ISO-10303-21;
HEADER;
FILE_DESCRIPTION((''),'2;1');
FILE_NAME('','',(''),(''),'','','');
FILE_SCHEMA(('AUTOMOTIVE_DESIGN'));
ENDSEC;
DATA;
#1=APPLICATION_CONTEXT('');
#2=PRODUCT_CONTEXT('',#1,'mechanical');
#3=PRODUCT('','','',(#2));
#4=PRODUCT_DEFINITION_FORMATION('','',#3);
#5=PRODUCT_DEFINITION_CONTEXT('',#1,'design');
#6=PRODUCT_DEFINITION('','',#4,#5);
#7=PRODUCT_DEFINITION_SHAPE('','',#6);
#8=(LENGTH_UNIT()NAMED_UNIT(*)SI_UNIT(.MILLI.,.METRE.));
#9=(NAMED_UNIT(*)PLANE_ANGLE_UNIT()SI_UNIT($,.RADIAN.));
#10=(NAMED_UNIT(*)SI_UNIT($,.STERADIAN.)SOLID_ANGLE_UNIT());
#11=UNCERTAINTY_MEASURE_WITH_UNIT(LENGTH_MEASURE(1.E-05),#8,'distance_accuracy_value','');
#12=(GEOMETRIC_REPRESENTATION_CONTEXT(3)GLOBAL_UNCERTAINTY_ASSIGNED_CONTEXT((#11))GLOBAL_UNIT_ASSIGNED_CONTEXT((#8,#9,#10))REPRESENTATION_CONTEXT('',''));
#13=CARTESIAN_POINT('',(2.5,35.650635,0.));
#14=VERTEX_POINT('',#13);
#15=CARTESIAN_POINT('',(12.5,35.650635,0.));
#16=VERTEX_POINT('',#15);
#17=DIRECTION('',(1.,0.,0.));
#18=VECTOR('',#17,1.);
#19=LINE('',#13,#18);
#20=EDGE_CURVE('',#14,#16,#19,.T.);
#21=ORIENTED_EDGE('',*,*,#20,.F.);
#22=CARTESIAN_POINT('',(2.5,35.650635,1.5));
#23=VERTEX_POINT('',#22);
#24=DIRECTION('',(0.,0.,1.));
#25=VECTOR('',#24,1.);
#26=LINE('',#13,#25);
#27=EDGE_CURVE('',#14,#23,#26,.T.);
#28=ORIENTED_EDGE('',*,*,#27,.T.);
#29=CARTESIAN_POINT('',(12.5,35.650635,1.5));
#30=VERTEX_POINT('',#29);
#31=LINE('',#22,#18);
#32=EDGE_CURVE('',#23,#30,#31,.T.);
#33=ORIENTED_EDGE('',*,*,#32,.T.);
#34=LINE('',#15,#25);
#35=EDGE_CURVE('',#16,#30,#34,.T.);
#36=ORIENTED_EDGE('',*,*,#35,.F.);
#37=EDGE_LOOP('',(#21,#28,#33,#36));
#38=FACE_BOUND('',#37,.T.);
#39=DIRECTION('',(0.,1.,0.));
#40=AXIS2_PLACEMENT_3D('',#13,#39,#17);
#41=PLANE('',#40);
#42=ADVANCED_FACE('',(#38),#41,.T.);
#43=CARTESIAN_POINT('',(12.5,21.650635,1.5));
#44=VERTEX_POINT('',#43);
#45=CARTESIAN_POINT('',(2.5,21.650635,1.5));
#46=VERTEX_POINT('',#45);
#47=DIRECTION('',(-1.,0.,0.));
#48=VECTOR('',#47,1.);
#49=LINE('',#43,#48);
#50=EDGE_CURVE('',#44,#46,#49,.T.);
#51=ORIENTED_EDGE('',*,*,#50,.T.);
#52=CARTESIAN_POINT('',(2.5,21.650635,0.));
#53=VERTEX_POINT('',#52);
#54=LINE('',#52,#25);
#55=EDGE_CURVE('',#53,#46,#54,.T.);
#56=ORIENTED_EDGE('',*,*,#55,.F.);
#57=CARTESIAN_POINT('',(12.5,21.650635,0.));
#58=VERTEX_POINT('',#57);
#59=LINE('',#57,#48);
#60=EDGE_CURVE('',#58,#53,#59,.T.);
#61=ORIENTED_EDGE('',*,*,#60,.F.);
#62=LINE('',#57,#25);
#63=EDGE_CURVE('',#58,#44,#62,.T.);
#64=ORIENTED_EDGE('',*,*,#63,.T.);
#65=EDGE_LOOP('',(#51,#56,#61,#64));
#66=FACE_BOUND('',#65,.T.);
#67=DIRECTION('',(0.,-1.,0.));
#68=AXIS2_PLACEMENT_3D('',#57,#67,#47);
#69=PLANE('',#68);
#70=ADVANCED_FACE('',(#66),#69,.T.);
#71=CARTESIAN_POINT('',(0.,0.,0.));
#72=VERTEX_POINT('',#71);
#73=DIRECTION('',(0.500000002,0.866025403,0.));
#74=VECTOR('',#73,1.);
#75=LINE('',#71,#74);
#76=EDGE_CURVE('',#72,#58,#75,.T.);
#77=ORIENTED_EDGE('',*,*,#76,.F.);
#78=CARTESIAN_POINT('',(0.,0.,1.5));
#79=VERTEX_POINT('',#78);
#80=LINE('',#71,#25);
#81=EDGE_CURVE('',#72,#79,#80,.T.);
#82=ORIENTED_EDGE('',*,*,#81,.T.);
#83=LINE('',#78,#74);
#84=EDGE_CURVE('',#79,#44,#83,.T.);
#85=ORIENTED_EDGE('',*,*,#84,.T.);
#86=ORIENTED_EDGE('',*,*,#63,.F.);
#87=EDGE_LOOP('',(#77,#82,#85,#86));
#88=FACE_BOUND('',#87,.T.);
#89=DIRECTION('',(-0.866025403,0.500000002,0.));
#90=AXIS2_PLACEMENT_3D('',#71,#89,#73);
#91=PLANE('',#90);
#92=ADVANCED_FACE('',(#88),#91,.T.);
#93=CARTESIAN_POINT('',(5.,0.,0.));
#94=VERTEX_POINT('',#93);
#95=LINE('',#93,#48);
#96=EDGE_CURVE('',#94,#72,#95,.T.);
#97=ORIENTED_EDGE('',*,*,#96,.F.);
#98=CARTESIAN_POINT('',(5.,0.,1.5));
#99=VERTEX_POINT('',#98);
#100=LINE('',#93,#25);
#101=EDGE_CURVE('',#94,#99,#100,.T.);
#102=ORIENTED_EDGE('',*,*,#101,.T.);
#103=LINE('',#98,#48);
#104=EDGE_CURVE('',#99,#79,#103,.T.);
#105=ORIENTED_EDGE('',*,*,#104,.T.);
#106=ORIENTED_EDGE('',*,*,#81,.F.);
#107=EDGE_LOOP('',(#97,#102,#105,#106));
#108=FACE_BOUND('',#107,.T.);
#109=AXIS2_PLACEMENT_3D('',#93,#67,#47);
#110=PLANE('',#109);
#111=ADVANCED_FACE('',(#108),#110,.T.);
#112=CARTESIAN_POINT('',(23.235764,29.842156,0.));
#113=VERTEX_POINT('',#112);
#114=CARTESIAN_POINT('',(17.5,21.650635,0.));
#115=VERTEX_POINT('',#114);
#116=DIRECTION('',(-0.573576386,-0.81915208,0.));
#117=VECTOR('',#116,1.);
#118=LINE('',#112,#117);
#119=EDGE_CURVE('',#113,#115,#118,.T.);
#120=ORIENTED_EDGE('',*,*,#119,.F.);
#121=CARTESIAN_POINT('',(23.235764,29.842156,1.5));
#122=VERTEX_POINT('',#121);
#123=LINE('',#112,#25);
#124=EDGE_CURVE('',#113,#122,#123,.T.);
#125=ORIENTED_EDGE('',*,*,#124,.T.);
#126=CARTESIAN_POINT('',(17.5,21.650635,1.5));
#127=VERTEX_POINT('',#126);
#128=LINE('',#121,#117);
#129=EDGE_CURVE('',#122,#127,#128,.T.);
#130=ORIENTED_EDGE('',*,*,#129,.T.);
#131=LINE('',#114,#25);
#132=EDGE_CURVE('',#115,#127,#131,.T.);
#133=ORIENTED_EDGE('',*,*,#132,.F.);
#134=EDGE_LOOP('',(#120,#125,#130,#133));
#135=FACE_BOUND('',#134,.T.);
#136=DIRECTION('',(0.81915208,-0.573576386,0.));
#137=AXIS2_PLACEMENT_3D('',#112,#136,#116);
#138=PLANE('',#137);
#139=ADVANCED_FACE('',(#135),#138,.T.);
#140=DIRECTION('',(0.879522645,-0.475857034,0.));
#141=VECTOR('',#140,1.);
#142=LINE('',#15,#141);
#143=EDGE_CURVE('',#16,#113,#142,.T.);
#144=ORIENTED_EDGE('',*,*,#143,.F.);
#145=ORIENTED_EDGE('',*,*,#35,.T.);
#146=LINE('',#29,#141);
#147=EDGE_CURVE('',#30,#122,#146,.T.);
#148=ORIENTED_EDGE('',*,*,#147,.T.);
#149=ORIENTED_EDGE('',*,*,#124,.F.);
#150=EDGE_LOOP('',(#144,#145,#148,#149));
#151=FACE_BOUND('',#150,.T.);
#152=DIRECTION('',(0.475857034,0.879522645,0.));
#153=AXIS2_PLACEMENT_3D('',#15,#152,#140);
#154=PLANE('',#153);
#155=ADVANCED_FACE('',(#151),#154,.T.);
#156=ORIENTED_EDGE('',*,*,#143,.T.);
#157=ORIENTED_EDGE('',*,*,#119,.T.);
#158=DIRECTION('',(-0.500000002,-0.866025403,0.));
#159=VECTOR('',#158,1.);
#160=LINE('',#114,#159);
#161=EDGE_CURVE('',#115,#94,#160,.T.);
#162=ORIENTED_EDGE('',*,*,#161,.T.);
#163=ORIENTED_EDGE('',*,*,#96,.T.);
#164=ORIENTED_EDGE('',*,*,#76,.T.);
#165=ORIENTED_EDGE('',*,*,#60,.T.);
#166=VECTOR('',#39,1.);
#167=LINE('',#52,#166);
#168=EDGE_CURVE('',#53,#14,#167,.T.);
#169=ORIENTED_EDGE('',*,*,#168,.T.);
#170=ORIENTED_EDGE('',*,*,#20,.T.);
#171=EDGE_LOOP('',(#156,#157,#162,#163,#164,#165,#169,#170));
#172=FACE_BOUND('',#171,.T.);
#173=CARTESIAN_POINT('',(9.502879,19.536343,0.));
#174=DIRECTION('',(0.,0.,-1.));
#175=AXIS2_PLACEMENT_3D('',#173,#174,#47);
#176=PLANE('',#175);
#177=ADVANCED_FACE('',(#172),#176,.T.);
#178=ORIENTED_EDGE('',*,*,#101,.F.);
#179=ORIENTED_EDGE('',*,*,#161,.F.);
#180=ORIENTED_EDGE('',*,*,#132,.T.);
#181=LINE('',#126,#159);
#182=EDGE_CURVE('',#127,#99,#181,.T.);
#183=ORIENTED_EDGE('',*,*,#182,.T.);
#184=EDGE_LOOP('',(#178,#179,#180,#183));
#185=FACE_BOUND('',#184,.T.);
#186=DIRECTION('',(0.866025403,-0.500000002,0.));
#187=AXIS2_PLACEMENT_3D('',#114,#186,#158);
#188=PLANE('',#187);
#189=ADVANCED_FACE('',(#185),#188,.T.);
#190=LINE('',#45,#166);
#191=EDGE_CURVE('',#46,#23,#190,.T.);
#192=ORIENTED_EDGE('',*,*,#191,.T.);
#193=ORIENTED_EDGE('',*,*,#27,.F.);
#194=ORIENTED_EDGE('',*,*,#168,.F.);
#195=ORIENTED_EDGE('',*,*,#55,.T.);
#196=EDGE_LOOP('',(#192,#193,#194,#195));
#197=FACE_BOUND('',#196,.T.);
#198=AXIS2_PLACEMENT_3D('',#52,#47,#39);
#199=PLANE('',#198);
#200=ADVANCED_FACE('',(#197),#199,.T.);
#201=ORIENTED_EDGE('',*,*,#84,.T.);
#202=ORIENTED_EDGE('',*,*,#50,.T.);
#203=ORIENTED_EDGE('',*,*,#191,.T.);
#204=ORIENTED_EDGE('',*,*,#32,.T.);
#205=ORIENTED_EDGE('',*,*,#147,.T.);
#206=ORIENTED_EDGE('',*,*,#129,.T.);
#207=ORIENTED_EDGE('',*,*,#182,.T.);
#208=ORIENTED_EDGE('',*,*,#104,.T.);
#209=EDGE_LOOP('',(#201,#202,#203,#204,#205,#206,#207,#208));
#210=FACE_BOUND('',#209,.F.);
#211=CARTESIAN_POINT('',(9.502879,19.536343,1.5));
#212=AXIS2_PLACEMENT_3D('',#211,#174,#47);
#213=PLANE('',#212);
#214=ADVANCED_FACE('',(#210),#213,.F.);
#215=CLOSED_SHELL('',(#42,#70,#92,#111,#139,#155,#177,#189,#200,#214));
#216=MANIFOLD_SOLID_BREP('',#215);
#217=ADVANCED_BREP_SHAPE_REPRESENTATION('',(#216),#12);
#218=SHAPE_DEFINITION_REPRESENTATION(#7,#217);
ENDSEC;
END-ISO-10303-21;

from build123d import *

# Parameters (mm, degrees)
PAD_DEPTH = 1.5


with BuildPart() as part:
    # Sketch → Pad (new body)
    with BuildSketch(Plane.XY):
        Polygon((0, 0), (12.5, 21.650635), (2.5, 21.650635), (2.5, 35.650635), (12.5, 35.650635), (23.235764, 29.842156), (17.5, 21.650635), (5, 0), align=None)
    extrude(amount=PAD_DEPTH)


solid = part.part
